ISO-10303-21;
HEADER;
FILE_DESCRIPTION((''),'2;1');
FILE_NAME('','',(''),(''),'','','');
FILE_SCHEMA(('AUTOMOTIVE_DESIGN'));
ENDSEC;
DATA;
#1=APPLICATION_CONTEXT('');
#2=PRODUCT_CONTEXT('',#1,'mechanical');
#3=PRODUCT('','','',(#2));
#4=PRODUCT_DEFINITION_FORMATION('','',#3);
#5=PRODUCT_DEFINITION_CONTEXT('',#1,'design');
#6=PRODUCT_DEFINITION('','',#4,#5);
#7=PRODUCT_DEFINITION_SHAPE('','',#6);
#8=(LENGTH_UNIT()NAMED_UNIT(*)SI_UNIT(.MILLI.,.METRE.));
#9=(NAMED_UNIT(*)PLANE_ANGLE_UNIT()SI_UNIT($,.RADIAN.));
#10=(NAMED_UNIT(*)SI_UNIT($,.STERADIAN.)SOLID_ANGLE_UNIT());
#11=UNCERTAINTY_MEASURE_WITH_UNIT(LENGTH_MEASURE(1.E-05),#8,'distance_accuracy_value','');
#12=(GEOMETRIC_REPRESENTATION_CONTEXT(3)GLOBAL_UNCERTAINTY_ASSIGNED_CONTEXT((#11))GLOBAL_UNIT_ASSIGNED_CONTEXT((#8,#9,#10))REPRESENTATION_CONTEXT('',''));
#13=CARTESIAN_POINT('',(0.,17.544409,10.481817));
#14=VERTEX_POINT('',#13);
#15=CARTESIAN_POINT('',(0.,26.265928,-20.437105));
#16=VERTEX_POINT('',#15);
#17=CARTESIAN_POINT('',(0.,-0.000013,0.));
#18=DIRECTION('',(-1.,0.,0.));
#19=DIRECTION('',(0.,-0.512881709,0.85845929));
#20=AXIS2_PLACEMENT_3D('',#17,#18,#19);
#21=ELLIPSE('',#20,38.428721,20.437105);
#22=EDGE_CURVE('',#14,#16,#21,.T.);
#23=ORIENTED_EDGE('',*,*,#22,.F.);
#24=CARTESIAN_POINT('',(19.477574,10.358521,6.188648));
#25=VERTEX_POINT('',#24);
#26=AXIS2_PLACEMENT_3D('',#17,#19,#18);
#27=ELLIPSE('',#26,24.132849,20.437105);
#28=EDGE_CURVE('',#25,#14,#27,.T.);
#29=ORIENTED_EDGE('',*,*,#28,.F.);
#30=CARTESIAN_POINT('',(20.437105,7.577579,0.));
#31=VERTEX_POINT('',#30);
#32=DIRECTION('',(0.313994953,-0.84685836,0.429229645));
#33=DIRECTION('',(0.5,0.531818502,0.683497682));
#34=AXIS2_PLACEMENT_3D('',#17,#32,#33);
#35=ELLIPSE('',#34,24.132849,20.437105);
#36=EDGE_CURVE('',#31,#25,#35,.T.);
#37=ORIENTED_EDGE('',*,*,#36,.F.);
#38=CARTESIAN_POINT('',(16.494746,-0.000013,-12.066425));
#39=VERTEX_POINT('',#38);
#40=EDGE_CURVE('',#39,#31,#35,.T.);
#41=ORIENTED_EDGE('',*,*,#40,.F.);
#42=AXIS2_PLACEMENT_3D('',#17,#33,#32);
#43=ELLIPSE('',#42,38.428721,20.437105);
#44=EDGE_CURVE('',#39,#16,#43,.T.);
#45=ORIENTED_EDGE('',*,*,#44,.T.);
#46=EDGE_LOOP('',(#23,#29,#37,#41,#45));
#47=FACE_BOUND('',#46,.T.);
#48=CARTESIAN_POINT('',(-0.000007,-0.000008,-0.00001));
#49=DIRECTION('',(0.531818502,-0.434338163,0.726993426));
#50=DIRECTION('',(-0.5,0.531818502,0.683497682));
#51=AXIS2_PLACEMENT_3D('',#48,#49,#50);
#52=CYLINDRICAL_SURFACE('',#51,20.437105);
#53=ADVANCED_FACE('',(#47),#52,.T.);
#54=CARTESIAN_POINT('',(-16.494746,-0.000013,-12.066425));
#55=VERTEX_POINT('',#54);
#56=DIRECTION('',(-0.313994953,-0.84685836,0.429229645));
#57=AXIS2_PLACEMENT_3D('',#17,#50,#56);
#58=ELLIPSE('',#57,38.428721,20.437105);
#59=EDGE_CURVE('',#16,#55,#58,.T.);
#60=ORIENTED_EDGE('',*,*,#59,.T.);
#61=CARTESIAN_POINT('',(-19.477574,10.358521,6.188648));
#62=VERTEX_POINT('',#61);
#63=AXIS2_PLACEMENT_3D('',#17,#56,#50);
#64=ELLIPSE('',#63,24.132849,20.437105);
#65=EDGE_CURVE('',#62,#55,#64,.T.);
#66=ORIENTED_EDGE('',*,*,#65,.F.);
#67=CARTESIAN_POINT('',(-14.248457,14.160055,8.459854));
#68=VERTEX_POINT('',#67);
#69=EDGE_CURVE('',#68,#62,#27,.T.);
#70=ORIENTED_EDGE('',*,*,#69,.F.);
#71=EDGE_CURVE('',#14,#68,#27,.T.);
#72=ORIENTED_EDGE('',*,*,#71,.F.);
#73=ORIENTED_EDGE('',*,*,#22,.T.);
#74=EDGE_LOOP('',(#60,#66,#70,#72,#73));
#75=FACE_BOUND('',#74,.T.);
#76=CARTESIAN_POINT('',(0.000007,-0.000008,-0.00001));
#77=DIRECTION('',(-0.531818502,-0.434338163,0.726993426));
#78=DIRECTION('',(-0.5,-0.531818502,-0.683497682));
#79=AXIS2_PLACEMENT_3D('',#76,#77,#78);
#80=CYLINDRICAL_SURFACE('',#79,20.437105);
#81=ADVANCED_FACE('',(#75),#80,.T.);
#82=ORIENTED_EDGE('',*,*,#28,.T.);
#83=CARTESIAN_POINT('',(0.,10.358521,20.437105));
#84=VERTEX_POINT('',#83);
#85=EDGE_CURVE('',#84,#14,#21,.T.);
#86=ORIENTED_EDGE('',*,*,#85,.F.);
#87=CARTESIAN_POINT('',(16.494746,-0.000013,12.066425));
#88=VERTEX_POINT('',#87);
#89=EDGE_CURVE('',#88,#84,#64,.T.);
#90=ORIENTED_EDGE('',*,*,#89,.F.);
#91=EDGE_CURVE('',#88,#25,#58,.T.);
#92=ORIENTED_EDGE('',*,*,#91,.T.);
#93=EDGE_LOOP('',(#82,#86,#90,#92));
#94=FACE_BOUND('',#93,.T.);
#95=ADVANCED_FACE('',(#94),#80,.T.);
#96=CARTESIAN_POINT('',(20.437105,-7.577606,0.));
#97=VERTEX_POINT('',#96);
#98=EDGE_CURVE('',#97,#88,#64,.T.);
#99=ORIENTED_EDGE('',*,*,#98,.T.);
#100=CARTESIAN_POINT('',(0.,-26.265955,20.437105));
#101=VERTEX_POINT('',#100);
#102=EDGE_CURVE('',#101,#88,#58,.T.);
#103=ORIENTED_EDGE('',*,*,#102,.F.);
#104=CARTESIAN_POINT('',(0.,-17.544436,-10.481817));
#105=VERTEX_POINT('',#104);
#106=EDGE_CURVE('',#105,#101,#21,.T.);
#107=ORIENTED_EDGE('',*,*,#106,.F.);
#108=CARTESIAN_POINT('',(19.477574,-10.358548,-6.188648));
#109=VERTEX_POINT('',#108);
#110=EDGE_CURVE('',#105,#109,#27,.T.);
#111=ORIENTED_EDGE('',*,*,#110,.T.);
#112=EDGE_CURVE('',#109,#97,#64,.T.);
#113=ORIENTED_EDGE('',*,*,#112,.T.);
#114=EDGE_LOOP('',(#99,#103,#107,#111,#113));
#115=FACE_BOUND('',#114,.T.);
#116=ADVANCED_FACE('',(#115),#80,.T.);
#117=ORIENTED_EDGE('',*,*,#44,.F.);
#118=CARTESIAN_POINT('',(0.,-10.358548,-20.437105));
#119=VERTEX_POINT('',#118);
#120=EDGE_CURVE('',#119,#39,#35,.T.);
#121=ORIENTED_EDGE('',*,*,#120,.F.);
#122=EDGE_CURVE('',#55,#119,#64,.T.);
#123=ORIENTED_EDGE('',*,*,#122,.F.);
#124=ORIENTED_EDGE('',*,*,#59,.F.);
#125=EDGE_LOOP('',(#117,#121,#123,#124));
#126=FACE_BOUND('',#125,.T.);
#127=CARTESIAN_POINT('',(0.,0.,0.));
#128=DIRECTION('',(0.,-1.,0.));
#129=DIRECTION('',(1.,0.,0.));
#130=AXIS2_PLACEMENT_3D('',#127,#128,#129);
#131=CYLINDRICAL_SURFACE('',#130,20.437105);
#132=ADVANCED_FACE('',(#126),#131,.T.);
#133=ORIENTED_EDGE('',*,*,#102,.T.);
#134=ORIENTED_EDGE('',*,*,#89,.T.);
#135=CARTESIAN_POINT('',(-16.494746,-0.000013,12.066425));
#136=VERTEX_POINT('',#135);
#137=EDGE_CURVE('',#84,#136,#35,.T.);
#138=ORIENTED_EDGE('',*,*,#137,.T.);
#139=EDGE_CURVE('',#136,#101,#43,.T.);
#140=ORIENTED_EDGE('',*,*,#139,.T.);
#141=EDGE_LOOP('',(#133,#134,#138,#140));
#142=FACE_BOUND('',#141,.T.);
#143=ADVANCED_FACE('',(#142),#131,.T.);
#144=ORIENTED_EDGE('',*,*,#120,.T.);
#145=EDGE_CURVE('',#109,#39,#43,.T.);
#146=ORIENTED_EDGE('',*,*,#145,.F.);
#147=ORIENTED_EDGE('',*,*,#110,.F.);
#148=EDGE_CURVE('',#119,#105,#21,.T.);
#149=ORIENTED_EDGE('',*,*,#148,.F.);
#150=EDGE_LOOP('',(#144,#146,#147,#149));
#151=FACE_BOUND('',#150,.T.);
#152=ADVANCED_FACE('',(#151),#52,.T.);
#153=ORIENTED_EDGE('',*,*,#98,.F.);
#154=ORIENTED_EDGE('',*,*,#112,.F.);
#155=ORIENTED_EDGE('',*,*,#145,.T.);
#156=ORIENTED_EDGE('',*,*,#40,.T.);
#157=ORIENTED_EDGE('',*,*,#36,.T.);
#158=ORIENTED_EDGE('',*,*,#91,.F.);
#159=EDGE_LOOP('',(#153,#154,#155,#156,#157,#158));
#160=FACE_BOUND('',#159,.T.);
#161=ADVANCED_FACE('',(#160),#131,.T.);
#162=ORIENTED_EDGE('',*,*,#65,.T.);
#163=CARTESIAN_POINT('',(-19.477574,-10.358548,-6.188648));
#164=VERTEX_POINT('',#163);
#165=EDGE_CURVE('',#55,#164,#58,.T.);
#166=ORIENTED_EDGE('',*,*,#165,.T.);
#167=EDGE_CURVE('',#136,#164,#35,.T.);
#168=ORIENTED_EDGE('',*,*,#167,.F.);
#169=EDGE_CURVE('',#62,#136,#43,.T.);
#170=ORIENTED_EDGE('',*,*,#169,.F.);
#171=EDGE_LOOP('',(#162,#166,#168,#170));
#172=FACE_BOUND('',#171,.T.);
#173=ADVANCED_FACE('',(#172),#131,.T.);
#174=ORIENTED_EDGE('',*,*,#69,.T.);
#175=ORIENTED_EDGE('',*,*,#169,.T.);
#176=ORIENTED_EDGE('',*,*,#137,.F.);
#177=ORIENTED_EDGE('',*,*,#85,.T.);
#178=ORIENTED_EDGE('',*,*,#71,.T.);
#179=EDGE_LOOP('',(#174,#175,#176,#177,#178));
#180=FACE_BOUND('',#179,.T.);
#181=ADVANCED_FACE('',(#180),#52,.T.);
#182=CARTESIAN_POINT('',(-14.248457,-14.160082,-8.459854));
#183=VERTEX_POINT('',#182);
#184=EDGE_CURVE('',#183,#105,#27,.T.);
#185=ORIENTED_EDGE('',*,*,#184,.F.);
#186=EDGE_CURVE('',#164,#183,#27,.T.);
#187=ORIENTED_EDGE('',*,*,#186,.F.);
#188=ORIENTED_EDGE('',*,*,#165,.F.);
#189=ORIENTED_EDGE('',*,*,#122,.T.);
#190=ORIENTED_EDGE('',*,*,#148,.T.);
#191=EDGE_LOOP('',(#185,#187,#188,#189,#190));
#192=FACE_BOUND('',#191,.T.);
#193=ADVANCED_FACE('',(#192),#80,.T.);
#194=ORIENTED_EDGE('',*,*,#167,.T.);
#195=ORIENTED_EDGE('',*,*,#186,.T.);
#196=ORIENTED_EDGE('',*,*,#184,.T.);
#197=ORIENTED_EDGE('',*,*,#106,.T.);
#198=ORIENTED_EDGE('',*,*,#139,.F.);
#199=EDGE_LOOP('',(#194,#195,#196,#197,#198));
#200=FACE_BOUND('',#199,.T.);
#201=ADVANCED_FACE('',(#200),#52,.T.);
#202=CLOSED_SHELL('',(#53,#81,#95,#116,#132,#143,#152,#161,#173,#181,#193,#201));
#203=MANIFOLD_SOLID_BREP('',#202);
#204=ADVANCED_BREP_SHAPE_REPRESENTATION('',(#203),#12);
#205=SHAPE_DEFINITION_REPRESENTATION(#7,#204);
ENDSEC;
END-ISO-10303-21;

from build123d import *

# Parameters (mm, degrees)
F0_R     = 20.437105
F1_DEPTH = 40
F4_COUNT = 3


with BuildPart() as f1:
    # F0 (on Front) → F1 (new body, symmetric)
    with BuildSketch(Plane.XZ):
        Circle(F0_R)
    extrude(amount=F1_DEPTH, both=True)


with BuildPart() as f4_1:
    # F4: instance of F1
    add(f1.part.rotate(Axis((0, -14.142136, 11.003757), (0, -0.789235, 0.614091)), 1 * 360 / F4_COUNT))


with BuildPart() as f4_2:
    # F4: instance of F1
    add(f1.part.rotate(Axis((0, -14.142136, 11.003757), (0, -0.789235, 0.614091)), 2 * 360 / F4_COUNT))

    # F5: intersect F4_1, F1
    add(f4_1.part, mode=Mode.INTERSECT)
    add(f1.part, mode=Mode.INTERSECT)


solid = f4_2.part
